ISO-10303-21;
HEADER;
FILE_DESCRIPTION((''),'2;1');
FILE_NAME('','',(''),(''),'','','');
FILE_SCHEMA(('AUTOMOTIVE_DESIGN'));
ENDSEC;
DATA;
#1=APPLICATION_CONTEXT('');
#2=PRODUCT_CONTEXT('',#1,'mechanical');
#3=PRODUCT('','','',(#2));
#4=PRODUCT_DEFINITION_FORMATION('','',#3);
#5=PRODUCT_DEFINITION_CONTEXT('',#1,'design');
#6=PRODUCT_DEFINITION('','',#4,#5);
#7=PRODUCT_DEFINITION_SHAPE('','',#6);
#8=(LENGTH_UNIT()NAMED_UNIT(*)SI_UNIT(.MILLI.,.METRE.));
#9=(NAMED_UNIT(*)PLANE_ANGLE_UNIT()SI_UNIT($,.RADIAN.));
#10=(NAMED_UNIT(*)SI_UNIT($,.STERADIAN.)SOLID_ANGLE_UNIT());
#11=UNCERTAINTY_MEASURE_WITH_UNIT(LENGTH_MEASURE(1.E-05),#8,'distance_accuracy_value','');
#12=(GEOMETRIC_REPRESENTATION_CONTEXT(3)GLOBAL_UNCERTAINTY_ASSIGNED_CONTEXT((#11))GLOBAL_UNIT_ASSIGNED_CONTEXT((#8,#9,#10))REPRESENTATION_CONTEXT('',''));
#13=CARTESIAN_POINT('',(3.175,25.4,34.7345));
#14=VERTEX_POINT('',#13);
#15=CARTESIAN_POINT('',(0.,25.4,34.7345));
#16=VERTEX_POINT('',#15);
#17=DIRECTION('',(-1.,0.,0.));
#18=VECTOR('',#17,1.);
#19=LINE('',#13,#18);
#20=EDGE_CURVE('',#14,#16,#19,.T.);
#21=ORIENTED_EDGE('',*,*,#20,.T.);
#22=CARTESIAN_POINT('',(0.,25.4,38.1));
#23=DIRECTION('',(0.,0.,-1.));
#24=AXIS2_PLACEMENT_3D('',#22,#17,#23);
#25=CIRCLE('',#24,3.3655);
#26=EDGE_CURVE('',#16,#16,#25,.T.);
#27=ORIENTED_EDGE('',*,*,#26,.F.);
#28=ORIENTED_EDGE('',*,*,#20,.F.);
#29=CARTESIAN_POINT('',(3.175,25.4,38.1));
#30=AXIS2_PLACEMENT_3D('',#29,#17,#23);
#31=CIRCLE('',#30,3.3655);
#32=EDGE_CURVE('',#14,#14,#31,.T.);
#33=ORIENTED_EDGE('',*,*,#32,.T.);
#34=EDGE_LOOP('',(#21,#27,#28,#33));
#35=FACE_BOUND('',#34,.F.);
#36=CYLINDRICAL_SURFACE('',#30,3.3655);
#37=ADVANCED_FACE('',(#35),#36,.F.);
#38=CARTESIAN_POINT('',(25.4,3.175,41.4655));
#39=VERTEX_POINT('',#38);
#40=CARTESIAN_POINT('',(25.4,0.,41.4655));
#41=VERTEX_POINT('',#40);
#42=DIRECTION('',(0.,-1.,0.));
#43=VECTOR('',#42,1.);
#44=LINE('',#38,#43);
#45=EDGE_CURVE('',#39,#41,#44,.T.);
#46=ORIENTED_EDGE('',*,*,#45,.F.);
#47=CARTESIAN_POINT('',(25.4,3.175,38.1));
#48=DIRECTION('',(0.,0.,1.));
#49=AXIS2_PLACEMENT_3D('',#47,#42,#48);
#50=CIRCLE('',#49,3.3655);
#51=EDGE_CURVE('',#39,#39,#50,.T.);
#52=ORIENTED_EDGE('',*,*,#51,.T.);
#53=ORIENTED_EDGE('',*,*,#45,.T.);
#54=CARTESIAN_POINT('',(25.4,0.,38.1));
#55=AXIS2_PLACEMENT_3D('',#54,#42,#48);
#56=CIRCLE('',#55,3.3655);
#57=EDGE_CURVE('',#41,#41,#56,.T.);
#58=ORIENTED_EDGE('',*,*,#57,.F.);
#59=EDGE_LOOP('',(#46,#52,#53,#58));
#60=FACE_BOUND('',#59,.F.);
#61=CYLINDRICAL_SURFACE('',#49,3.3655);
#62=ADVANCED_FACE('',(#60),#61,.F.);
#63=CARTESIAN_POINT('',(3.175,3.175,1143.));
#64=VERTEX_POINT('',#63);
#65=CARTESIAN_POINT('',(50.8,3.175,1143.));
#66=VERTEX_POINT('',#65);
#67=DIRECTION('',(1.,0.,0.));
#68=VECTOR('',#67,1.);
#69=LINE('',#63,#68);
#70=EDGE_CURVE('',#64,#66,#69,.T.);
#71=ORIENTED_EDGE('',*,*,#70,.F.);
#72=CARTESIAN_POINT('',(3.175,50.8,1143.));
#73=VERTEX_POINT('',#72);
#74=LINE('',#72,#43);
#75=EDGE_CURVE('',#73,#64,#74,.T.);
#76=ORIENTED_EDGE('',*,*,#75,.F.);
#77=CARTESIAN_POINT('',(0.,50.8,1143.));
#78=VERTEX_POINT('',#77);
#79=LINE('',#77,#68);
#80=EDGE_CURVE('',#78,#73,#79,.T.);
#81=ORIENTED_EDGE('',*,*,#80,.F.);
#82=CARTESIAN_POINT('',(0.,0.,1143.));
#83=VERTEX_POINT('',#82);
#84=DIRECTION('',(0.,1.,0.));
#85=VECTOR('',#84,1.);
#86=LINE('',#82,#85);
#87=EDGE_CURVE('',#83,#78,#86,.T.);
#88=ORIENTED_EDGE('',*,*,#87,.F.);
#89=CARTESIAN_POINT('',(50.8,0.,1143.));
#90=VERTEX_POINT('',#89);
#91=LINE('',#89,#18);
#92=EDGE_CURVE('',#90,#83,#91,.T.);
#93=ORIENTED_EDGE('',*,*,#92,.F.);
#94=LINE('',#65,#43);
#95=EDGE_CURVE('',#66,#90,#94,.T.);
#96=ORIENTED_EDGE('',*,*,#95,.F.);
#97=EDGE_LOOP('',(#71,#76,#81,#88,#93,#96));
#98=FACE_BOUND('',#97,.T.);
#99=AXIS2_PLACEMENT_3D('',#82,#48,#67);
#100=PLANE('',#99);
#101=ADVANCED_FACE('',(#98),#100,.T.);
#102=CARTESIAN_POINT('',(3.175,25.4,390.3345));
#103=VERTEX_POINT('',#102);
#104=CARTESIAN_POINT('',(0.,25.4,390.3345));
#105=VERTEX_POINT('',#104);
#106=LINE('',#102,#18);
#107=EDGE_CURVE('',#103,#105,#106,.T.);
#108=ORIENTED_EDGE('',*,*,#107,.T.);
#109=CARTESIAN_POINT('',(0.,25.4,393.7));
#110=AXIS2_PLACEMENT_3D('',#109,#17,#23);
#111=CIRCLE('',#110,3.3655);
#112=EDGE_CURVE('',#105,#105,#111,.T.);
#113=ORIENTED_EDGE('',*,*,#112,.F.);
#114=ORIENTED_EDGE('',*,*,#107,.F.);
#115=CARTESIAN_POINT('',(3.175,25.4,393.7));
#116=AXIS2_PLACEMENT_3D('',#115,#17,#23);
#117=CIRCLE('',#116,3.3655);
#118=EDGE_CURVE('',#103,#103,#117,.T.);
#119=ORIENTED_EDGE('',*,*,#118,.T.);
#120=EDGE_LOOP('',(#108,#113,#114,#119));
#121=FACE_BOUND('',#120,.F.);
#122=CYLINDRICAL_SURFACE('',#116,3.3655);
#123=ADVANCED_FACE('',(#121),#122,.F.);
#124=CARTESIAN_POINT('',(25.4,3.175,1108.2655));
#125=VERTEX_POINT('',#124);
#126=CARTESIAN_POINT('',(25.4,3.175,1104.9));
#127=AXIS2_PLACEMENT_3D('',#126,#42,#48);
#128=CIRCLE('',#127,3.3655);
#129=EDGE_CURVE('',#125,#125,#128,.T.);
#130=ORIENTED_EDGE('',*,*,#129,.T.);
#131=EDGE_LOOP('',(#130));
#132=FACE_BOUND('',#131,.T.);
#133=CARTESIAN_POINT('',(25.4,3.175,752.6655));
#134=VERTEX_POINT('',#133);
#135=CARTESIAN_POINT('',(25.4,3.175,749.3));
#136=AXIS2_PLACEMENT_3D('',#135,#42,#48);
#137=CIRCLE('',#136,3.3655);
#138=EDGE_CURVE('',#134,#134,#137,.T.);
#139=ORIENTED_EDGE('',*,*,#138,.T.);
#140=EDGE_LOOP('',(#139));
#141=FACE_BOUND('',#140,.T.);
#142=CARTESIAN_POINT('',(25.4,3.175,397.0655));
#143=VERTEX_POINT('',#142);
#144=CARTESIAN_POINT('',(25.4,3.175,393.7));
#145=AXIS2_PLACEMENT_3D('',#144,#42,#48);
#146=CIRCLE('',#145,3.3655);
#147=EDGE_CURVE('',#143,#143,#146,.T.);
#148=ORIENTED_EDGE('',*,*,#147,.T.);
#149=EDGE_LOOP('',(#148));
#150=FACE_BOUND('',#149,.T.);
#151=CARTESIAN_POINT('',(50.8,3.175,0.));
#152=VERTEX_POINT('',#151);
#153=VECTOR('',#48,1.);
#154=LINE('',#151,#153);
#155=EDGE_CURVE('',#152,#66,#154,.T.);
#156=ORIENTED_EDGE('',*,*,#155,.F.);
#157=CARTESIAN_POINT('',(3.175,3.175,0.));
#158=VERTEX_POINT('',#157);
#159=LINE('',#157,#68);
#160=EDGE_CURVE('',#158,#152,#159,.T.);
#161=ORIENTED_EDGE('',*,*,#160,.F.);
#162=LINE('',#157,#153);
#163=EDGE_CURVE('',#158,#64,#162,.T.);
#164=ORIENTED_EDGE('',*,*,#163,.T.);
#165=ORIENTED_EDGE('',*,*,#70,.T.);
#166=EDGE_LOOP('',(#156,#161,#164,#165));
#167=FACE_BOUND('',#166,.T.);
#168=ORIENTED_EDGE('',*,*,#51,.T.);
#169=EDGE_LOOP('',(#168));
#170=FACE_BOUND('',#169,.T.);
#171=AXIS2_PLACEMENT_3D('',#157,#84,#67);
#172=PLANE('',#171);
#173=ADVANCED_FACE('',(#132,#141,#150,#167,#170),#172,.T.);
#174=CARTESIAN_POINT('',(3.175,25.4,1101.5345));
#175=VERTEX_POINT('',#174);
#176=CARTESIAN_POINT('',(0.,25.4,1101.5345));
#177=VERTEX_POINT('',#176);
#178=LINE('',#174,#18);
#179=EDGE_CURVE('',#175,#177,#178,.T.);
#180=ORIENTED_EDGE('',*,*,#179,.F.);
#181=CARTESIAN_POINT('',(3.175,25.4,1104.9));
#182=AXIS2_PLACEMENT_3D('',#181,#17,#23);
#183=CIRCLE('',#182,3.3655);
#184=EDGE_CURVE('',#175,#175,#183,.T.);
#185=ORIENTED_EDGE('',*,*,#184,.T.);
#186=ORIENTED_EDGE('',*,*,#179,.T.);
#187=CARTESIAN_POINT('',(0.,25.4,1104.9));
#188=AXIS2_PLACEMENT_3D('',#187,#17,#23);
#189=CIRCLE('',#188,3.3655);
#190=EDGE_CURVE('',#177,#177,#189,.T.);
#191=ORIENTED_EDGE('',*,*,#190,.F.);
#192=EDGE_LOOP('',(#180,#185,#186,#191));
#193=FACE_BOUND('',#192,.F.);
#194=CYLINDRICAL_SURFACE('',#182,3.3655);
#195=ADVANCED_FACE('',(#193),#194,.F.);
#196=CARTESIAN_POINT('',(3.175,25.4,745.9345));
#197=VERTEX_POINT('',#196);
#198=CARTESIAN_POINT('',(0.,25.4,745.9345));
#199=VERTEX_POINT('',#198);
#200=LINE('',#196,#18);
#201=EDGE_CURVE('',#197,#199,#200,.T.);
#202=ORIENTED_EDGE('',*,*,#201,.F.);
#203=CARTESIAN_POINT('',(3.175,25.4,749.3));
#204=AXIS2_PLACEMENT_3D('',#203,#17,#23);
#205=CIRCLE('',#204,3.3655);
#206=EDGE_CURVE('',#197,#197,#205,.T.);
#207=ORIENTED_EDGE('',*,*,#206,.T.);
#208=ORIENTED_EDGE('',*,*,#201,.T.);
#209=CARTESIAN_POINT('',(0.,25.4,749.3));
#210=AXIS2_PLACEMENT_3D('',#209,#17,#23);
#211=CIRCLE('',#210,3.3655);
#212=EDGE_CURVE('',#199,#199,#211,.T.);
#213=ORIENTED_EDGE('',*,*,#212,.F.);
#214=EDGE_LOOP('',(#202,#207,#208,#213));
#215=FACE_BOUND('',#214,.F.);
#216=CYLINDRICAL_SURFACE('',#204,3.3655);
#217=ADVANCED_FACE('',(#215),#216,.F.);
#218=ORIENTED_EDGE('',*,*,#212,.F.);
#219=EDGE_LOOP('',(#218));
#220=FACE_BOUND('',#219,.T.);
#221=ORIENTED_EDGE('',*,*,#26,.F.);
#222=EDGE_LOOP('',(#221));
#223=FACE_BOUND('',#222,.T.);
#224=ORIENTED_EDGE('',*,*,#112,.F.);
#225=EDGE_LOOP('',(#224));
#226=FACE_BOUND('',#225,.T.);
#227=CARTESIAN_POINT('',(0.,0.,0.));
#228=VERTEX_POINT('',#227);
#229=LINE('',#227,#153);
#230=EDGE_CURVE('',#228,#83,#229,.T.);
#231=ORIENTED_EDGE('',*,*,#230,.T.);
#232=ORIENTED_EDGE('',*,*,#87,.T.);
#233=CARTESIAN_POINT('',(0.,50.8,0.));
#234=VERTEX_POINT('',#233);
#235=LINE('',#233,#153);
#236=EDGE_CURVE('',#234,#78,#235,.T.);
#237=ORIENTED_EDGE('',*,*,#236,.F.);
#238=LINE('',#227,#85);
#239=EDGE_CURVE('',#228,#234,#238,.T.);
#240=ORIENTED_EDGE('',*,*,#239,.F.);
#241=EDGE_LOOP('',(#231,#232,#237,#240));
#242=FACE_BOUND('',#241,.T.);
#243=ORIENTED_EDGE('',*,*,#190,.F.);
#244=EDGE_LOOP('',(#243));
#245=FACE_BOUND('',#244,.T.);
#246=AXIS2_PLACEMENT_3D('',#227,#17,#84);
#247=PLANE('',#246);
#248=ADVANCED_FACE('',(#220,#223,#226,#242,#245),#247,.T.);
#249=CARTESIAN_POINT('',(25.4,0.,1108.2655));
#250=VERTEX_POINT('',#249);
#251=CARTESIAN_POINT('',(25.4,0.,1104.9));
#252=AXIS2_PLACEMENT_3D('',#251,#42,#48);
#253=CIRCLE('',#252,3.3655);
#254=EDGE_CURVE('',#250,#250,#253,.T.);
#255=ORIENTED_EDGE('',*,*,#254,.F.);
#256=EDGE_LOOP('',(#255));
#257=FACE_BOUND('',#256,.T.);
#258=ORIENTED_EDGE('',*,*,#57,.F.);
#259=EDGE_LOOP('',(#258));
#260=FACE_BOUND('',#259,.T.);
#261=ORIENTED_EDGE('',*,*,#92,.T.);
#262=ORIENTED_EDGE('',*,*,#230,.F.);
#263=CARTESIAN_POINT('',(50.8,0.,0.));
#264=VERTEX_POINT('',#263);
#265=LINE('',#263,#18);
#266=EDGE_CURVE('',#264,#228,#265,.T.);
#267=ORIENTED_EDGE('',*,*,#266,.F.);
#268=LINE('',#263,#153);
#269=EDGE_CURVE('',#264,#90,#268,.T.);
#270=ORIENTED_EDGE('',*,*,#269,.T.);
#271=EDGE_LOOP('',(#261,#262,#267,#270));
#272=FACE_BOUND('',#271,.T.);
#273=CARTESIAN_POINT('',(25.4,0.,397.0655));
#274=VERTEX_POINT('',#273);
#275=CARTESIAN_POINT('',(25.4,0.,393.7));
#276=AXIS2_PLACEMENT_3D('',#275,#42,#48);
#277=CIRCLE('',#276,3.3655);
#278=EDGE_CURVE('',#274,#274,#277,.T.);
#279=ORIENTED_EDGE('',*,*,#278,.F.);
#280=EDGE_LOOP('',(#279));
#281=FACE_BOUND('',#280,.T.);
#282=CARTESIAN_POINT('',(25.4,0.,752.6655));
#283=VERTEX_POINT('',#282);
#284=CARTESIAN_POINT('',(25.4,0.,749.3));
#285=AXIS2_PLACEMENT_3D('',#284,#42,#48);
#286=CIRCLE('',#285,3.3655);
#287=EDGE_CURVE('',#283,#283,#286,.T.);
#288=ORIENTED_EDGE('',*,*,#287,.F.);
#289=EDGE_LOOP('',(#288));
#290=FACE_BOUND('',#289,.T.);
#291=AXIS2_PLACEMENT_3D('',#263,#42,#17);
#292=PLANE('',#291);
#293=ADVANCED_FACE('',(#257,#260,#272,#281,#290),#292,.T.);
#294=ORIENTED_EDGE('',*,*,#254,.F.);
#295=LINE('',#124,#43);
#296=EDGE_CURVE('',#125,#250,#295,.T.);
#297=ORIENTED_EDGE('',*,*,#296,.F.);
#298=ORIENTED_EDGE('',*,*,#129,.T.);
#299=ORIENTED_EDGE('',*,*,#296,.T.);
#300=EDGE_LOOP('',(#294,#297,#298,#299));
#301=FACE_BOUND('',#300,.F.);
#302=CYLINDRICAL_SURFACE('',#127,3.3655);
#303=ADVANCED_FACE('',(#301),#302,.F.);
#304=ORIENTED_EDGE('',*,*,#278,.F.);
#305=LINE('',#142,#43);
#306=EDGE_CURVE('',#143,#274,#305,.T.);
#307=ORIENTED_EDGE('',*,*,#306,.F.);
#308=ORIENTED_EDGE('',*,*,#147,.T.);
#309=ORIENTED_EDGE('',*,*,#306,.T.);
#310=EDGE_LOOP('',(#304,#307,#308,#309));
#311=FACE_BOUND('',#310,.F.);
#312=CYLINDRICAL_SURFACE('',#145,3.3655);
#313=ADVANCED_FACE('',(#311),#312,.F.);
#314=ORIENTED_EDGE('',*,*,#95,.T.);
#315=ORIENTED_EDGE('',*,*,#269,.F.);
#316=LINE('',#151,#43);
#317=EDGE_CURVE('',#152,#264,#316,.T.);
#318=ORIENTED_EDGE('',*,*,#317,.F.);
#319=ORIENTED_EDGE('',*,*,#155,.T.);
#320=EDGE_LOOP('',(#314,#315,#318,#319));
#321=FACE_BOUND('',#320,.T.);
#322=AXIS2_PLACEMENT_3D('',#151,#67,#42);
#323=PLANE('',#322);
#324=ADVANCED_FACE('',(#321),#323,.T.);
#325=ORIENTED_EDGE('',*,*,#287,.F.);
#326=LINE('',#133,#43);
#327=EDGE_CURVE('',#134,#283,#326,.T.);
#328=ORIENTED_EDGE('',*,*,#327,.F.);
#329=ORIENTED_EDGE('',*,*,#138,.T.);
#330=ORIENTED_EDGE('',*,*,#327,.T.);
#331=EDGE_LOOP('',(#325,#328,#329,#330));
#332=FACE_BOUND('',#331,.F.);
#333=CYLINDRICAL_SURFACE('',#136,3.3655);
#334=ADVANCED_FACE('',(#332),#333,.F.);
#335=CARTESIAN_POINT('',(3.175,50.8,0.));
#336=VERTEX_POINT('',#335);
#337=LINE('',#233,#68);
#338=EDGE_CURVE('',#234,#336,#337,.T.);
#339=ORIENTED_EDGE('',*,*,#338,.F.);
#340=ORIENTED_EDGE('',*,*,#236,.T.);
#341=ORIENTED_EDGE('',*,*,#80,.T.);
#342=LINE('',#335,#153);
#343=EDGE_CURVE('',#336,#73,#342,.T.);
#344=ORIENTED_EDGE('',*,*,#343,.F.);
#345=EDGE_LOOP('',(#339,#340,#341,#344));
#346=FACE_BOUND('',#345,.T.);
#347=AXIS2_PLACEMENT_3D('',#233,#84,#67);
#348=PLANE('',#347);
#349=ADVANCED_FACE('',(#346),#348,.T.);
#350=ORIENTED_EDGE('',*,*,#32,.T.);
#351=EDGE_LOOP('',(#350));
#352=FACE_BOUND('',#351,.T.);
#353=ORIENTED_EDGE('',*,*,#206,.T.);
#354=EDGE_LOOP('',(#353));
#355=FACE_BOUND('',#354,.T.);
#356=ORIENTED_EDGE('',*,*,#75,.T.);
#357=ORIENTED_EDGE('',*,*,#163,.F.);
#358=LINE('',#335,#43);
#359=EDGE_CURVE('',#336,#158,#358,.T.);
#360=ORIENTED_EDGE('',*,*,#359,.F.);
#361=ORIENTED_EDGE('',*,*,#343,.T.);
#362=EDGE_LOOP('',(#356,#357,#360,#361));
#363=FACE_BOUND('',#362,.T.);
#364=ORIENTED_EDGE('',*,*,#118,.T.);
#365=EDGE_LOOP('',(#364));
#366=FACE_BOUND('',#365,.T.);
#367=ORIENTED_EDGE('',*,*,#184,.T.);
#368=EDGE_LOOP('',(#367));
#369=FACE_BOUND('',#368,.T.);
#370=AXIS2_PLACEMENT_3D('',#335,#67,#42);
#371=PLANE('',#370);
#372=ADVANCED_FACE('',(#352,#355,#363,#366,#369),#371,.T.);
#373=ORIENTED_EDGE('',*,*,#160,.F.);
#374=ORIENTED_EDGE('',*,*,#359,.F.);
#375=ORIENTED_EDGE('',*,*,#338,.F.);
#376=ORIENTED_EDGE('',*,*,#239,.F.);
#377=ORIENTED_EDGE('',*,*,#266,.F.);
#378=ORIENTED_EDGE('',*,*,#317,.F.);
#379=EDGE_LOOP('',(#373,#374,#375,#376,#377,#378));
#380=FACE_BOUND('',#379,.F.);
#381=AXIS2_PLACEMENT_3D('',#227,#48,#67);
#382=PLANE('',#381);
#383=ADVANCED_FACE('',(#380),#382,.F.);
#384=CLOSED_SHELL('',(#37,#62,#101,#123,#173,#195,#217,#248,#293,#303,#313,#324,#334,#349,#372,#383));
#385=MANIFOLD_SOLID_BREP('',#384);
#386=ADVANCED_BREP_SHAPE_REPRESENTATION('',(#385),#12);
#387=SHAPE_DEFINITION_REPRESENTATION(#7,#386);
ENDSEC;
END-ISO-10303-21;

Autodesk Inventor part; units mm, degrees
ref_plane "YZ Plane" through (0, 0, 0) normal (1, 0, 0) x (0, 1, 0)
ref_plane "XZ Plane" through (0, 0, 0) normal (0, 1, 0) x (-1, 0, 0)
ref_plane "XY Plane" through (0, 0, 0) normal (0, 0, 1) x (1, 0, 0)
sketch "Sketch1" plane through (0, 0, 0) normal (0, 0, 1) x (1, 0, 0)
  line L0 (0, 0) -> (0, 50.8)
  line L1 (0, 50.8) -> (3.175, 50.8)
  line L2 (3.175, 50.8) -> (3.175, 3.175)
  line L3 (3.175, 3.175) -> (50.8, 3.175)
  line L4 (50.8, 3.175) -> (50.8, 0)
  line L5 (50.8, 0) -> (0, 0)
  dimension "d0" = 50.8
  dimension "d1" = 3.175
  dimension "d4" = 50.8
extrude "Extrusion1" add sketch "Sketch1" along normal blind 1143
hole "Hole1" at (25.4, 3.175, 1104.9) direction (0, -1, 0) diameter 6.731 depth 25.4 tip angle 118
pattern_linear "Rectangular Pattern1" count 4 spacing 355.6 along (0, 0, -1) of "Hole1"
hole "Hole2" at (3.175, 25.4, 1104.9) direction (-1, 0, 0) diameter 6.731 depth 25.4 tip angle 118
pattern_linear "Rectangular Pattern2" count 4 spacing 355.6 along (0, 0, -1) of "Hole2", "Hole1"
properties part number "GE-12063"
